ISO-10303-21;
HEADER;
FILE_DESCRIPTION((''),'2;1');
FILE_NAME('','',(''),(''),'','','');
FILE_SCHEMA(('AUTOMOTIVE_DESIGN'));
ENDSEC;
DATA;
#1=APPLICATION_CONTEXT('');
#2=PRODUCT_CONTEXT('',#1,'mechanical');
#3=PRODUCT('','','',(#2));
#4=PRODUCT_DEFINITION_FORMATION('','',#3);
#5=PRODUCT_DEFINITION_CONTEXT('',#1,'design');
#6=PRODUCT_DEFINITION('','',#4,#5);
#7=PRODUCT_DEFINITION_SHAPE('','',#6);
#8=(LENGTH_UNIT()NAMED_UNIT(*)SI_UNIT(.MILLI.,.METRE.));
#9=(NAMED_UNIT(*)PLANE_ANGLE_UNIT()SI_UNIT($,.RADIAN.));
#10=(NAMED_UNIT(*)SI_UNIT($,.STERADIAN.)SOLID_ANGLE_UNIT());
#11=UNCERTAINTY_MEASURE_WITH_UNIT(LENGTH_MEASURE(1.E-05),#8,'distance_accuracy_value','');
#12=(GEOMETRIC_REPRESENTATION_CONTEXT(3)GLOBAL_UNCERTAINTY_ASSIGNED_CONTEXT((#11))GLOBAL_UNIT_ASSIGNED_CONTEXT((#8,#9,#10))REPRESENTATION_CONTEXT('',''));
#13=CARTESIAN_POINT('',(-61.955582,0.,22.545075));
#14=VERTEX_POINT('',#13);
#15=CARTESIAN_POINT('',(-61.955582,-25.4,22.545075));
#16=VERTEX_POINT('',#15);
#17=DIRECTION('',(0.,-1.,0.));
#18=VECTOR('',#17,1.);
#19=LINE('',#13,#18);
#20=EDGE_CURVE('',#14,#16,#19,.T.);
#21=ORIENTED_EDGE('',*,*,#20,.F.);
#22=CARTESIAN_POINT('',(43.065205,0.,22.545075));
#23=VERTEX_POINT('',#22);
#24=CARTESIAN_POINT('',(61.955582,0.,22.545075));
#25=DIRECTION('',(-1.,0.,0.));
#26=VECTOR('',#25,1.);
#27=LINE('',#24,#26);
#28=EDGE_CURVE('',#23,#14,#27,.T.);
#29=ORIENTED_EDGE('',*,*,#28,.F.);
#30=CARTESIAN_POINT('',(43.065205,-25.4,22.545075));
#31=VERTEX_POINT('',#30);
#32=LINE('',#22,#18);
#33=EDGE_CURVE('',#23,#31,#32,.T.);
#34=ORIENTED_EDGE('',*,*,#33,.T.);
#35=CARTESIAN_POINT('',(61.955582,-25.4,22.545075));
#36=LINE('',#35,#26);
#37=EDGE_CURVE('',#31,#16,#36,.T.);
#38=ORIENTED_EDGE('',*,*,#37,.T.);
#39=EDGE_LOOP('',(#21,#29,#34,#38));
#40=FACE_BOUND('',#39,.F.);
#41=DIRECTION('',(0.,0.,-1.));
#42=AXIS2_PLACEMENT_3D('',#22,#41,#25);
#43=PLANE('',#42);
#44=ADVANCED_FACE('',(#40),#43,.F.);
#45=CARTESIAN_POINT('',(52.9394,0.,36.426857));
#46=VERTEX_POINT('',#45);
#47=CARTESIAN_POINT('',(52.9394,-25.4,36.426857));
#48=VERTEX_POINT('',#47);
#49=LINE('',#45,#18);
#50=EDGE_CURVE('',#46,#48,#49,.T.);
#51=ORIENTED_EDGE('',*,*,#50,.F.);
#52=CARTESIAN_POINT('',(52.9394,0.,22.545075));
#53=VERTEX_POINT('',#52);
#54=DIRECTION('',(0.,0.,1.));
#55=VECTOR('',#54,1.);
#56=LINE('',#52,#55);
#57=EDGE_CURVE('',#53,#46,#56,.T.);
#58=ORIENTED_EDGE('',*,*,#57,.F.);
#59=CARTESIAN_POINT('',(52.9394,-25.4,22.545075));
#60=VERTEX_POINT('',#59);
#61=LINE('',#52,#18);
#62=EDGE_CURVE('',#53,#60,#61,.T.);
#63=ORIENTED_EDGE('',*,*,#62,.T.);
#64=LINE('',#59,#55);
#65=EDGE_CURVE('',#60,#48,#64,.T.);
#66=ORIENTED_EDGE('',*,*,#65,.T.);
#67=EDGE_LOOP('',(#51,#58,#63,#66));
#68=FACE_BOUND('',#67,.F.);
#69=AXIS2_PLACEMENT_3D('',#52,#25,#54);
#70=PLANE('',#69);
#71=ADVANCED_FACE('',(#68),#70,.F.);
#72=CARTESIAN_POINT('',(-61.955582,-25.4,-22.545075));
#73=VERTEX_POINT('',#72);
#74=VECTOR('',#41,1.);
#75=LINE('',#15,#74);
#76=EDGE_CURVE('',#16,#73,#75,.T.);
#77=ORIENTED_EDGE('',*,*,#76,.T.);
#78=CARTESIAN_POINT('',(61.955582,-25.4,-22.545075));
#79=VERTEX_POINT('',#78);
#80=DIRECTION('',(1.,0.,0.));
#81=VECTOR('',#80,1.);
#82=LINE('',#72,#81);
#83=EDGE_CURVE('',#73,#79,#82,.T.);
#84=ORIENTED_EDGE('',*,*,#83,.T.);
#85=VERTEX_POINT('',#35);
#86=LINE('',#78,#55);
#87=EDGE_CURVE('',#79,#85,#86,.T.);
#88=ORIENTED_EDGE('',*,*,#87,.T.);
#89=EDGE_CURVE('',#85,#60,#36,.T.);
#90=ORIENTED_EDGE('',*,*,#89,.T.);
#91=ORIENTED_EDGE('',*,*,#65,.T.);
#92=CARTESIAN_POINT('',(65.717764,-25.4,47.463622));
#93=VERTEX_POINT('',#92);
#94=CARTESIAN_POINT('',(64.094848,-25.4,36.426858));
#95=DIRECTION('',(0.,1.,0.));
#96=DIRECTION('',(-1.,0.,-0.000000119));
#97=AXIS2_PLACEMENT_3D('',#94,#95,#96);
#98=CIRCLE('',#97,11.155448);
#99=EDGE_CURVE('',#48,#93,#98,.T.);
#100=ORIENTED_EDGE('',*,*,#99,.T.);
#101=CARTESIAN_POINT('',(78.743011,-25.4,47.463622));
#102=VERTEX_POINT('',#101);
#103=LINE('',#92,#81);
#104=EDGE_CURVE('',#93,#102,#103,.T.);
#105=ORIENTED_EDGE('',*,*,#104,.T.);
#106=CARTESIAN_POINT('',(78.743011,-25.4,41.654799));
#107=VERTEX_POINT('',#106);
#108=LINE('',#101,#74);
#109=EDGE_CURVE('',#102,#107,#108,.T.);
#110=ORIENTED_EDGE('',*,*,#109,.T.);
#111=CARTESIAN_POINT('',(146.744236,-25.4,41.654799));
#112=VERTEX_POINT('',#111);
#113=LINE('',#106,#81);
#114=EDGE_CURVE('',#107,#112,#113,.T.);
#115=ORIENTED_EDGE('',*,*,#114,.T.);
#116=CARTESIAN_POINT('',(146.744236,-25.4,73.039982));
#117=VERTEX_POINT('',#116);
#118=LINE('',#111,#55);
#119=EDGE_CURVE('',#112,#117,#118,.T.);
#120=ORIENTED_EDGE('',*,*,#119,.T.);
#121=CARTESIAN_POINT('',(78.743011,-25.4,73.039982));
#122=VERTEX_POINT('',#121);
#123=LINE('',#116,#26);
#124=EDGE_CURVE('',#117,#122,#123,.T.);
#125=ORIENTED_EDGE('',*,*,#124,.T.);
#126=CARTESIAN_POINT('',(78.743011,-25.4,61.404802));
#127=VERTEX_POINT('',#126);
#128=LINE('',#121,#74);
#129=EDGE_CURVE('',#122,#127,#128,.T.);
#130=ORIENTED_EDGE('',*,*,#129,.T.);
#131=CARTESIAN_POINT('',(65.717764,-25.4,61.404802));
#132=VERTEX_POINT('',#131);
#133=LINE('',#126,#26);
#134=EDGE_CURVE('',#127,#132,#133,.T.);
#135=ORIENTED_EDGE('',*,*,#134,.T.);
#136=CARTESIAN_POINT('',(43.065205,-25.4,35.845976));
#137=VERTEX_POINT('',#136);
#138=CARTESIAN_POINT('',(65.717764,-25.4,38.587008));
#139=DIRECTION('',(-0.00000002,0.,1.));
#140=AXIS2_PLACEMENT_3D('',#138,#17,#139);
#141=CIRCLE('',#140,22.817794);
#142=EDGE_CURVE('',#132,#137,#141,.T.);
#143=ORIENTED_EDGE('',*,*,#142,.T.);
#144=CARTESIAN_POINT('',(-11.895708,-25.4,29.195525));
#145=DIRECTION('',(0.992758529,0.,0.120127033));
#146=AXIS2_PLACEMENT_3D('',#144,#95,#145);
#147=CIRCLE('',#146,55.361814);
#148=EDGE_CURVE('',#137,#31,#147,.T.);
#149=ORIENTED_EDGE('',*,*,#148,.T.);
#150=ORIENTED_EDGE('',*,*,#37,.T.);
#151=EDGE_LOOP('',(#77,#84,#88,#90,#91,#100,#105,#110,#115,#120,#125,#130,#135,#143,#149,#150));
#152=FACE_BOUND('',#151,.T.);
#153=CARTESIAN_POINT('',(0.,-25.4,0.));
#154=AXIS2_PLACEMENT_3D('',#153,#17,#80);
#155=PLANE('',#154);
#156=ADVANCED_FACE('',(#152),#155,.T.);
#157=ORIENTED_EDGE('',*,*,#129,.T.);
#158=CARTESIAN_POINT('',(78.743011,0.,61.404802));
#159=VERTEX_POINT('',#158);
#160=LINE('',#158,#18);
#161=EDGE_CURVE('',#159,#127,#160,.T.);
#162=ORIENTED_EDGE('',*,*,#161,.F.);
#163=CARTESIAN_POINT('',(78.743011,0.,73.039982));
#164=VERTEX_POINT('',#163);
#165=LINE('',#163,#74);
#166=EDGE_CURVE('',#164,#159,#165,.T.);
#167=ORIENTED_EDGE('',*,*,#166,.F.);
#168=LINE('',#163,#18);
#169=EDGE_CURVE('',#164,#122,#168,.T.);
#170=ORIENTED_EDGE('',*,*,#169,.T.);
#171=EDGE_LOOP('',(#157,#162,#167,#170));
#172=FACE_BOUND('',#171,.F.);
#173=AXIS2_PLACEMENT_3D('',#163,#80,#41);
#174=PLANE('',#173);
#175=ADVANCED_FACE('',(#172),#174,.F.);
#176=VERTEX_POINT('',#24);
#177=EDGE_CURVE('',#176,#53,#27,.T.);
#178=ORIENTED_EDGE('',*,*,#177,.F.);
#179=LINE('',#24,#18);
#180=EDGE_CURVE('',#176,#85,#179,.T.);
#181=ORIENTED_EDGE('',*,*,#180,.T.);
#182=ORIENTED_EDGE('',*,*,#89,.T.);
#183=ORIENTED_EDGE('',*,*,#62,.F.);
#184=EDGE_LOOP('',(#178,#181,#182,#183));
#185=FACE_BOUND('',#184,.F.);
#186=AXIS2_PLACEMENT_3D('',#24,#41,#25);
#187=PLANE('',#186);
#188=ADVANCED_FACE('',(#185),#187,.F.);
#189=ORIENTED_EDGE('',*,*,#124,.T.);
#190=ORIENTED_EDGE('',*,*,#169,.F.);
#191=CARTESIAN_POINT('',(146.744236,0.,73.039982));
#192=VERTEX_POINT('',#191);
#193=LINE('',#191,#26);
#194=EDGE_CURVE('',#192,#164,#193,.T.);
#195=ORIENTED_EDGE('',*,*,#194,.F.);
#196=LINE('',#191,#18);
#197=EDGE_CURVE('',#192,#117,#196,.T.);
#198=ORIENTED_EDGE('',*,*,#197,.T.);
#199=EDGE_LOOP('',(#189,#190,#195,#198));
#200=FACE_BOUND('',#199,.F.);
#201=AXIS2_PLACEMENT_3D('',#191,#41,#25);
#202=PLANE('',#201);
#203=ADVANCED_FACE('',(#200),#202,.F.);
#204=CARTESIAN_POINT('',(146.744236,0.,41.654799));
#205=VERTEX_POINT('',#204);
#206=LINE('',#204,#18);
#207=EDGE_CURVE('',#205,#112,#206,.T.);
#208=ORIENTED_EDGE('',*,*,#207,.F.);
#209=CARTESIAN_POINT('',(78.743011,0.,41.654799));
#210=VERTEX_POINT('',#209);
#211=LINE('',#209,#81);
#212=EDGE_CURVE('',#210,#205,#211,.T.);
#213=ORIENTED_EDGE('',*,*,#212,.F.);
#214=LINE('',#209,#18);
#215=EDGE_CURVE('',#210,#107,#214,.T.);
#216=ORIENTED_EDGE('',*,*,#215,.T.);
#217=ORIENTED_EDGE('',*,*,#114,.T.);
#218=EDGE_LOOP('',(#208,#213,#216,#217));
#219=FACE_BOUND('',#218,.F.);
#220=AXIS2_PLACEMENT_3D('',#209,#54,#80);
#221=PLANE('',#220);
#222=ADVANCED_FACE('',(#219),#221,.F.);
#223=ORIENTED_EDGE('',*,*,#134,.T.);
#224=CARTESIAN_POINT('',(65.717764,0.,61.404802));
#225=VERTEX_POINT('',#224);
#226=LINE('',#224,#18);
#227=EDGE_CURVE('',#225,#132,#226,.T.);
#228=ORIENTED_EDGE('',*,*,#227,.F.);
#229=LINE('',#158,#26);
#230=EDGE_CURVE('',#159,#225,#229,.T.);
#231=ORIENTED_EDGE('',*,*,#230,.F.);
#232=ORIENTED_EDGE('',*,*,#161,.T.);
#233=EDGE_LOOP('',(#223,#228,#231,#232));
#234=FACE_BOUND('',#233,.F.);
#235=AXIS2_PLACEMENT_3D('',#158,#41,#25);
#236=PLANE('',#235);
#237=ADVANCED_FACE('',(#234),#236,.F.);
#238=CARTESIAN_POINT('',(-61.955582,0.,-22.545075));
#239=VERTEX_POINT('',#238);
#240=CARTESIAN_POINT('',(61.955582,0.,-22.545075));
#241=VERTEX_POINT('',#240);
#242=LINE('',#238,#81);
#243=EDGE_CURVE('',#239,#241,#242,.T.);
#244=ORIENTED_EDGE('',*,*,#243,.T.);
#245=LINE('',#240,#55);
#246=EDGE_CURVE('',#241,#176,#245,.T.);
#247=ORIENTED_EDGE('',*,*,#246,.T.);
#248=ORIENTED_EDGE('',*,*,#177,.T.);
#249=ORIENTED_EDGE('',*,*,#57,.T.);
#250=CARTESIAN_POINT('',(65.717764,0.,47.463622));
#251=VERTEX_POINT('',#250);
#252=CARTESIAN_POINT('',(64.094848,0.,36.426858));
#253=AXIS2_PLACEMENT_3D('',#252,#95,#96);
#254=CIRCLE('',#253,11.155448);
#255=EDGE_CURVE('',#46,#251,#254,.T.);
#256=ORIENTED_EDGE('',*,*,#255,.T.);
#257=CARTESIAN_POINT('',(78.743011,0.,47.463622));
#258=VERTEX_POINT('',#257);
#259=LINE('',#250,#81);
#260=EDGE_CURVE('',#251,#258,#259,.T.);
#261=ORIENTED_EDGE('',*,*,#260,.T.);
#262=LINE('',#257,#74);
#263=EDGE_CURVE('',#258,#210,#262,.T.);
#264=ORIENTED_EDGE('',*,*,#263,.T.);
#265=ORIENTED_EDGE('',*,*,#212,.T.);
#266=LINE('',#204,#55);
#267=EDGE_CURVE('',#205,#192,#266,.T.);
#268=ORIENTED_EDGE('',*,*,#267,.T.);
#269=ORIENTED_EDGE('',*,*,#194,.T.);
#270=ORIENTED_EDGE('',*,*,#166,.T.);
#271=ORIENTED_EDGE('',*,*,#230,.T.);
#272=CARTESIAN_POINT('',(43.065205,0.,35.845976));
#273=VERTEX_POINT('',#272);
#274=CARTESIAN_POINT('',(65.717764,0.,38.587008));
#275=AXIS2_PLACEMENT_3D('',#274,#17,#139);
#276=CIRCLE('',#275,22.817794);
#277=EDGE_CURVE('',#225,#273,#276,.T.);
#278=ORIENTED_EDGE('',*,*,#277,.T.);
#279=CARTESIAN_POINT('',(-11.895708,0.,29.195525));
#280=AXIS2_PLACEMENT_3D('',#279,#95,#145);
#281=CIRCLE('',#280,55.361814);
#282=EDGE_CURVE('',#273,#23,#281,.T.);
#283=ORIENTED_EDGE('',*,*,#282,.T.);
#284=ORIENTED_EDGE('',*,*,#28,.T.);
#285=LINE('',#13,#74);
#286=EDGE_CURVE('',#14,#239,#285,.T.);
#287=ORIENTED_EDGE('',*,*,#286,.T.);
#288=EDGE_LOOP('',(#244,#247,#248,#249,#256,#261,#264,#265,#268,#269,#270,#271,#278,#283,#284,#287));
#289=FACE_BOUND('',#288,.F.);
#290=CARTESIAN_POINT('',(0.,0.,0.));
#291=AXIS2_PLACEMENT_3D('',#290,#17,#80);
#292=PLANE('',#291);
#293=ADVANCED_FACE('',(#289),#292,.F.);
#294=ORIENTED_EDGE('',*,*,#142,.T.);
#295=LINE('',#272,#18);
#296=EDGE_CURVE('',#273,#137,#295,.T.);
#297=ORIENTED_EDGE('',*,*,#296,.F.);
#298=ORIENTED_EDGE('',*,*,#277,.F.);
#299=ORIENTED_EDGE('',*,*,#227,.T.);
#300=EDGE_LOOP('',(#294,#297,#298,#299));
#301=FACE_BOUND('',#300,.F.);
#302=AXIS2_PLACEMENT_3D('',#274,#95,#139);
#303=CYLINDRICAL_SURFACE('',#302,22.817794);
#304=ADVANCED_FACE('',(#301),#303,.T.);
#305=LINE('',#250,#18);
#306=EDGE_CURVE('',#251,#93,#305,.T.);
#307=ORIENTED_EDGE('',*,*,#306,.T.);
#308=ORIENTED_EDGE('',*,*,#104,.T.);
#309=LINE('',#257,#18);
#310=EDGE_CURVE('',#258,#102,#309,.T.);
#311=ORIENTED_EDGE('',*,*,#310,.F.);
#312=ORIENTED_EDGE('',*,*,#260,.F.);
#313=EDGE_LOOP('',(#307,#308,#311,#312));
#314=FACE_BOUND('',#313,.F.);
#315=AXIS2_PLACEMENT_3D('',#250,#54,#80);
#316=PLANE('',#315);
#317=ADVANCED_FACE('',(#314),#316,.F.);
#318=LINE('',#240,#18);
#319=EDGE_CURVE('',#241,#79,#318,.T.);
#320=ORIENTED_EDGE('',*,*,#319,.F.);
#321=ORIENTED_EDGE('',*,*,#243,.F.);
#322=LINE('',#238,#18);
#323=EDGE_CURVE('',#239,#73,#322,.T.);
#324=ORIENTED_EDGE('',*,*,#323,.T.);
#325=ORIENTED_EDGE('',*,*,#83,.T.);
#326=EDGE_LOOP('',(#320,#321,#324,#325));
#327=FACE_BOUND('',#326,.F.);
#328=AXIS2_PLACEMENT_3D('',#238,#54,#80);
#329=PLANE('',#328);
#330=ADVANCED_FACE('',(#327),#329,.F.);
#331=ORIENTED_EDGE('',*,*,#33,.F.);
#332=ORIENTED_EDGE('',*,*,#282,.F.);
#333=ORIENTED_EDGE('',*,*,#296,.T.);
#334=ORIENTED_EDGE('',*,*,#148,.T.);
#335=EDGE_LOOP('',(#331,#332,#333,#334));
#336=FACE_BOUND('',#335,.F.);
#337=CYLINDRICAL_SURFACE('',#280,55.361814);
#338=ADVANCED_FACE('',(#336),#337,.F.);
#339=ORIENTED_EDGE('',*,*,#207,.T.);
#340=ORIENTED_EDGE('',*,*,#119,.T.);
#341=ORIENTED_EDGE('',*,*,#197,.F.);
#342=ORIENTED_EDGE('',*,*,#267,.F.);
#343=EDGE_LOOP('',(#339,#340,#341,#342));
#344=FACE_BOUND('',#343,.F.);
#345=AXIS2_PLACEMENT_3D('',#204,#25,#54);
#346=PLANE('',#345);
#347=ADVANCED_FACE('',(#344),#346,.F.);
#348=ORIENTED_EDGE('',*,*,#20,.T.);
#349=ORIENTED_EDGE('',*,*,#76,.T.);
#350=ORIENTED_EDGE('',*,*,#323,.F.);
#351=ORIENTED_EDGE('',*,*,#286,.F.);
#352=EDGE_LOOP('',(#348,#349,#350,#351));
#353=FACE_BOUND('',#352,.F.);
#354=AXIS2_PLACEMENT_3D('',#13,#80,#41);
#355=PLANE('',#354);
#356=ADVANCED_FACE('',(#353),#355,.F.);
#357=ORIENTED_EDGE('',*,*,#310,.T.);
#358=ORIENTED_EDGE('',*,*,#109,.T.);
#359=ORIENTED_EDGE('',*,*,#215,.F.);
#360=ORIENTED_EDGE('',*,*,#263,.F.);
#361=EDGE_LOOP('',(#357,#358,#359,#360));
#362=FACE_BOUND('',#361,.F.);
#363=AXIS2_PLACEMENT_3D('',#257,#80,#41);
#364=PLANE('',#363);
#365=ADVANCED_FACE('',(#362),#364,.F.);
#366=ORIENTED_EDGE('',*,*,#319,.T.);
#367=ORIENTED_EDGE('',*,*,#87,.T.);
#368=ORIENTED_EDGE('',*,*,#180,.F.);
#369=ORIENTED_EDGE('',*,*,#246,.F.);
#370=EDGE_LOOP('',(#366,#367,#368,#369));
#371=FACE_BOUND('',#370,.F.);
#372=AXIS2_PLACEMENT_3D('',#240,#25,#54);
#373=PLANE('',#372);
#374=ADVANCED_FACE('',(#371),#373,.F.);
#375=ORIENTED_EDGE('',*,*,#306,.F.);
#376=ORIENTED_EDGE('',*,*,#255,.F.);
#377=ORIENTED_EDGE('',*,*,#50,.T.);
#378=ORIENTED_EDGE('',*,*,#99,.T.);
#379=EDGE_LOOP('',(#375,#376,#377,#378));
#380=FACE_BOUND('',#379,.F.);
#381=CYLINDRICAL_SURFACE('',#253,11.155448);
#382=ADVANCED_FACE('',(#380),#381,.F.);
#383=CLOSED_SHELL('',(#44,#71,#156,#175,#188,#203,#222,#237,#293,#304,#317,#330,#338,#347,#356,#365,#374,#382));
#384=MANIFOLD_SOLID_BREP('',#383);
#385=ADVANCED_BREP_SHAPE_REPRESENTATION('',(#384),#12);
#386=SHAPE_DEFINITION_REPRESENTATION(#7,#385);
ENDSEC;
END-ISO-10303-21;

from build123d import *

# Parameters (mm, degrees)
F1_DEPTH = 25.4


with BuildPart() as f1:
    # F0 (on Front) → F1 (new body)
    with BuildSketch(Plane.XZ):
        Polygon((-61.955582, 22.545075), (-61.955582, -22.545075), (61.955582, -22.545075), (61.955582, 22.545075), (52.9394, 22.545075), (43.065205, 22.545075), align=None)
        with BuildLine():
            ThreePointArc((43.065205, 35.845976), (43.466106, 29.195526), (43.065205, 22.545075))
            Line((43.065205, 22.545075), (52.9394, 22.545075))
            Line((52.9394, 22.545075), (52.9394, 36.426857))
            ThreePointArc((52.9394, 36.426857), (56.803083, 44.869262), (65.717764, 47.463622))
            Line((65.717764, 47.463622), (78.743011, 47.463622))
            Line((78.743011, 47.463622), (78.743011, 61.404802))
            Line((78.743011, 61.404802), (65.717764, 61.404802))
            ThreePointArc((65.717764, 61.404802), (48.641523, 53.721528), (43.065205, 35.845976))
        make_face()
        Polygon((78.743011, 73.039982), (78.743011, 61.404802), (78.743011, 47.463622), (78.743011, 41.654799), (146.744236, 41.654799), (146.744236, 73.039982), align=None)
    extrude(amount=F1_DEPTH)


solid = f1.part
